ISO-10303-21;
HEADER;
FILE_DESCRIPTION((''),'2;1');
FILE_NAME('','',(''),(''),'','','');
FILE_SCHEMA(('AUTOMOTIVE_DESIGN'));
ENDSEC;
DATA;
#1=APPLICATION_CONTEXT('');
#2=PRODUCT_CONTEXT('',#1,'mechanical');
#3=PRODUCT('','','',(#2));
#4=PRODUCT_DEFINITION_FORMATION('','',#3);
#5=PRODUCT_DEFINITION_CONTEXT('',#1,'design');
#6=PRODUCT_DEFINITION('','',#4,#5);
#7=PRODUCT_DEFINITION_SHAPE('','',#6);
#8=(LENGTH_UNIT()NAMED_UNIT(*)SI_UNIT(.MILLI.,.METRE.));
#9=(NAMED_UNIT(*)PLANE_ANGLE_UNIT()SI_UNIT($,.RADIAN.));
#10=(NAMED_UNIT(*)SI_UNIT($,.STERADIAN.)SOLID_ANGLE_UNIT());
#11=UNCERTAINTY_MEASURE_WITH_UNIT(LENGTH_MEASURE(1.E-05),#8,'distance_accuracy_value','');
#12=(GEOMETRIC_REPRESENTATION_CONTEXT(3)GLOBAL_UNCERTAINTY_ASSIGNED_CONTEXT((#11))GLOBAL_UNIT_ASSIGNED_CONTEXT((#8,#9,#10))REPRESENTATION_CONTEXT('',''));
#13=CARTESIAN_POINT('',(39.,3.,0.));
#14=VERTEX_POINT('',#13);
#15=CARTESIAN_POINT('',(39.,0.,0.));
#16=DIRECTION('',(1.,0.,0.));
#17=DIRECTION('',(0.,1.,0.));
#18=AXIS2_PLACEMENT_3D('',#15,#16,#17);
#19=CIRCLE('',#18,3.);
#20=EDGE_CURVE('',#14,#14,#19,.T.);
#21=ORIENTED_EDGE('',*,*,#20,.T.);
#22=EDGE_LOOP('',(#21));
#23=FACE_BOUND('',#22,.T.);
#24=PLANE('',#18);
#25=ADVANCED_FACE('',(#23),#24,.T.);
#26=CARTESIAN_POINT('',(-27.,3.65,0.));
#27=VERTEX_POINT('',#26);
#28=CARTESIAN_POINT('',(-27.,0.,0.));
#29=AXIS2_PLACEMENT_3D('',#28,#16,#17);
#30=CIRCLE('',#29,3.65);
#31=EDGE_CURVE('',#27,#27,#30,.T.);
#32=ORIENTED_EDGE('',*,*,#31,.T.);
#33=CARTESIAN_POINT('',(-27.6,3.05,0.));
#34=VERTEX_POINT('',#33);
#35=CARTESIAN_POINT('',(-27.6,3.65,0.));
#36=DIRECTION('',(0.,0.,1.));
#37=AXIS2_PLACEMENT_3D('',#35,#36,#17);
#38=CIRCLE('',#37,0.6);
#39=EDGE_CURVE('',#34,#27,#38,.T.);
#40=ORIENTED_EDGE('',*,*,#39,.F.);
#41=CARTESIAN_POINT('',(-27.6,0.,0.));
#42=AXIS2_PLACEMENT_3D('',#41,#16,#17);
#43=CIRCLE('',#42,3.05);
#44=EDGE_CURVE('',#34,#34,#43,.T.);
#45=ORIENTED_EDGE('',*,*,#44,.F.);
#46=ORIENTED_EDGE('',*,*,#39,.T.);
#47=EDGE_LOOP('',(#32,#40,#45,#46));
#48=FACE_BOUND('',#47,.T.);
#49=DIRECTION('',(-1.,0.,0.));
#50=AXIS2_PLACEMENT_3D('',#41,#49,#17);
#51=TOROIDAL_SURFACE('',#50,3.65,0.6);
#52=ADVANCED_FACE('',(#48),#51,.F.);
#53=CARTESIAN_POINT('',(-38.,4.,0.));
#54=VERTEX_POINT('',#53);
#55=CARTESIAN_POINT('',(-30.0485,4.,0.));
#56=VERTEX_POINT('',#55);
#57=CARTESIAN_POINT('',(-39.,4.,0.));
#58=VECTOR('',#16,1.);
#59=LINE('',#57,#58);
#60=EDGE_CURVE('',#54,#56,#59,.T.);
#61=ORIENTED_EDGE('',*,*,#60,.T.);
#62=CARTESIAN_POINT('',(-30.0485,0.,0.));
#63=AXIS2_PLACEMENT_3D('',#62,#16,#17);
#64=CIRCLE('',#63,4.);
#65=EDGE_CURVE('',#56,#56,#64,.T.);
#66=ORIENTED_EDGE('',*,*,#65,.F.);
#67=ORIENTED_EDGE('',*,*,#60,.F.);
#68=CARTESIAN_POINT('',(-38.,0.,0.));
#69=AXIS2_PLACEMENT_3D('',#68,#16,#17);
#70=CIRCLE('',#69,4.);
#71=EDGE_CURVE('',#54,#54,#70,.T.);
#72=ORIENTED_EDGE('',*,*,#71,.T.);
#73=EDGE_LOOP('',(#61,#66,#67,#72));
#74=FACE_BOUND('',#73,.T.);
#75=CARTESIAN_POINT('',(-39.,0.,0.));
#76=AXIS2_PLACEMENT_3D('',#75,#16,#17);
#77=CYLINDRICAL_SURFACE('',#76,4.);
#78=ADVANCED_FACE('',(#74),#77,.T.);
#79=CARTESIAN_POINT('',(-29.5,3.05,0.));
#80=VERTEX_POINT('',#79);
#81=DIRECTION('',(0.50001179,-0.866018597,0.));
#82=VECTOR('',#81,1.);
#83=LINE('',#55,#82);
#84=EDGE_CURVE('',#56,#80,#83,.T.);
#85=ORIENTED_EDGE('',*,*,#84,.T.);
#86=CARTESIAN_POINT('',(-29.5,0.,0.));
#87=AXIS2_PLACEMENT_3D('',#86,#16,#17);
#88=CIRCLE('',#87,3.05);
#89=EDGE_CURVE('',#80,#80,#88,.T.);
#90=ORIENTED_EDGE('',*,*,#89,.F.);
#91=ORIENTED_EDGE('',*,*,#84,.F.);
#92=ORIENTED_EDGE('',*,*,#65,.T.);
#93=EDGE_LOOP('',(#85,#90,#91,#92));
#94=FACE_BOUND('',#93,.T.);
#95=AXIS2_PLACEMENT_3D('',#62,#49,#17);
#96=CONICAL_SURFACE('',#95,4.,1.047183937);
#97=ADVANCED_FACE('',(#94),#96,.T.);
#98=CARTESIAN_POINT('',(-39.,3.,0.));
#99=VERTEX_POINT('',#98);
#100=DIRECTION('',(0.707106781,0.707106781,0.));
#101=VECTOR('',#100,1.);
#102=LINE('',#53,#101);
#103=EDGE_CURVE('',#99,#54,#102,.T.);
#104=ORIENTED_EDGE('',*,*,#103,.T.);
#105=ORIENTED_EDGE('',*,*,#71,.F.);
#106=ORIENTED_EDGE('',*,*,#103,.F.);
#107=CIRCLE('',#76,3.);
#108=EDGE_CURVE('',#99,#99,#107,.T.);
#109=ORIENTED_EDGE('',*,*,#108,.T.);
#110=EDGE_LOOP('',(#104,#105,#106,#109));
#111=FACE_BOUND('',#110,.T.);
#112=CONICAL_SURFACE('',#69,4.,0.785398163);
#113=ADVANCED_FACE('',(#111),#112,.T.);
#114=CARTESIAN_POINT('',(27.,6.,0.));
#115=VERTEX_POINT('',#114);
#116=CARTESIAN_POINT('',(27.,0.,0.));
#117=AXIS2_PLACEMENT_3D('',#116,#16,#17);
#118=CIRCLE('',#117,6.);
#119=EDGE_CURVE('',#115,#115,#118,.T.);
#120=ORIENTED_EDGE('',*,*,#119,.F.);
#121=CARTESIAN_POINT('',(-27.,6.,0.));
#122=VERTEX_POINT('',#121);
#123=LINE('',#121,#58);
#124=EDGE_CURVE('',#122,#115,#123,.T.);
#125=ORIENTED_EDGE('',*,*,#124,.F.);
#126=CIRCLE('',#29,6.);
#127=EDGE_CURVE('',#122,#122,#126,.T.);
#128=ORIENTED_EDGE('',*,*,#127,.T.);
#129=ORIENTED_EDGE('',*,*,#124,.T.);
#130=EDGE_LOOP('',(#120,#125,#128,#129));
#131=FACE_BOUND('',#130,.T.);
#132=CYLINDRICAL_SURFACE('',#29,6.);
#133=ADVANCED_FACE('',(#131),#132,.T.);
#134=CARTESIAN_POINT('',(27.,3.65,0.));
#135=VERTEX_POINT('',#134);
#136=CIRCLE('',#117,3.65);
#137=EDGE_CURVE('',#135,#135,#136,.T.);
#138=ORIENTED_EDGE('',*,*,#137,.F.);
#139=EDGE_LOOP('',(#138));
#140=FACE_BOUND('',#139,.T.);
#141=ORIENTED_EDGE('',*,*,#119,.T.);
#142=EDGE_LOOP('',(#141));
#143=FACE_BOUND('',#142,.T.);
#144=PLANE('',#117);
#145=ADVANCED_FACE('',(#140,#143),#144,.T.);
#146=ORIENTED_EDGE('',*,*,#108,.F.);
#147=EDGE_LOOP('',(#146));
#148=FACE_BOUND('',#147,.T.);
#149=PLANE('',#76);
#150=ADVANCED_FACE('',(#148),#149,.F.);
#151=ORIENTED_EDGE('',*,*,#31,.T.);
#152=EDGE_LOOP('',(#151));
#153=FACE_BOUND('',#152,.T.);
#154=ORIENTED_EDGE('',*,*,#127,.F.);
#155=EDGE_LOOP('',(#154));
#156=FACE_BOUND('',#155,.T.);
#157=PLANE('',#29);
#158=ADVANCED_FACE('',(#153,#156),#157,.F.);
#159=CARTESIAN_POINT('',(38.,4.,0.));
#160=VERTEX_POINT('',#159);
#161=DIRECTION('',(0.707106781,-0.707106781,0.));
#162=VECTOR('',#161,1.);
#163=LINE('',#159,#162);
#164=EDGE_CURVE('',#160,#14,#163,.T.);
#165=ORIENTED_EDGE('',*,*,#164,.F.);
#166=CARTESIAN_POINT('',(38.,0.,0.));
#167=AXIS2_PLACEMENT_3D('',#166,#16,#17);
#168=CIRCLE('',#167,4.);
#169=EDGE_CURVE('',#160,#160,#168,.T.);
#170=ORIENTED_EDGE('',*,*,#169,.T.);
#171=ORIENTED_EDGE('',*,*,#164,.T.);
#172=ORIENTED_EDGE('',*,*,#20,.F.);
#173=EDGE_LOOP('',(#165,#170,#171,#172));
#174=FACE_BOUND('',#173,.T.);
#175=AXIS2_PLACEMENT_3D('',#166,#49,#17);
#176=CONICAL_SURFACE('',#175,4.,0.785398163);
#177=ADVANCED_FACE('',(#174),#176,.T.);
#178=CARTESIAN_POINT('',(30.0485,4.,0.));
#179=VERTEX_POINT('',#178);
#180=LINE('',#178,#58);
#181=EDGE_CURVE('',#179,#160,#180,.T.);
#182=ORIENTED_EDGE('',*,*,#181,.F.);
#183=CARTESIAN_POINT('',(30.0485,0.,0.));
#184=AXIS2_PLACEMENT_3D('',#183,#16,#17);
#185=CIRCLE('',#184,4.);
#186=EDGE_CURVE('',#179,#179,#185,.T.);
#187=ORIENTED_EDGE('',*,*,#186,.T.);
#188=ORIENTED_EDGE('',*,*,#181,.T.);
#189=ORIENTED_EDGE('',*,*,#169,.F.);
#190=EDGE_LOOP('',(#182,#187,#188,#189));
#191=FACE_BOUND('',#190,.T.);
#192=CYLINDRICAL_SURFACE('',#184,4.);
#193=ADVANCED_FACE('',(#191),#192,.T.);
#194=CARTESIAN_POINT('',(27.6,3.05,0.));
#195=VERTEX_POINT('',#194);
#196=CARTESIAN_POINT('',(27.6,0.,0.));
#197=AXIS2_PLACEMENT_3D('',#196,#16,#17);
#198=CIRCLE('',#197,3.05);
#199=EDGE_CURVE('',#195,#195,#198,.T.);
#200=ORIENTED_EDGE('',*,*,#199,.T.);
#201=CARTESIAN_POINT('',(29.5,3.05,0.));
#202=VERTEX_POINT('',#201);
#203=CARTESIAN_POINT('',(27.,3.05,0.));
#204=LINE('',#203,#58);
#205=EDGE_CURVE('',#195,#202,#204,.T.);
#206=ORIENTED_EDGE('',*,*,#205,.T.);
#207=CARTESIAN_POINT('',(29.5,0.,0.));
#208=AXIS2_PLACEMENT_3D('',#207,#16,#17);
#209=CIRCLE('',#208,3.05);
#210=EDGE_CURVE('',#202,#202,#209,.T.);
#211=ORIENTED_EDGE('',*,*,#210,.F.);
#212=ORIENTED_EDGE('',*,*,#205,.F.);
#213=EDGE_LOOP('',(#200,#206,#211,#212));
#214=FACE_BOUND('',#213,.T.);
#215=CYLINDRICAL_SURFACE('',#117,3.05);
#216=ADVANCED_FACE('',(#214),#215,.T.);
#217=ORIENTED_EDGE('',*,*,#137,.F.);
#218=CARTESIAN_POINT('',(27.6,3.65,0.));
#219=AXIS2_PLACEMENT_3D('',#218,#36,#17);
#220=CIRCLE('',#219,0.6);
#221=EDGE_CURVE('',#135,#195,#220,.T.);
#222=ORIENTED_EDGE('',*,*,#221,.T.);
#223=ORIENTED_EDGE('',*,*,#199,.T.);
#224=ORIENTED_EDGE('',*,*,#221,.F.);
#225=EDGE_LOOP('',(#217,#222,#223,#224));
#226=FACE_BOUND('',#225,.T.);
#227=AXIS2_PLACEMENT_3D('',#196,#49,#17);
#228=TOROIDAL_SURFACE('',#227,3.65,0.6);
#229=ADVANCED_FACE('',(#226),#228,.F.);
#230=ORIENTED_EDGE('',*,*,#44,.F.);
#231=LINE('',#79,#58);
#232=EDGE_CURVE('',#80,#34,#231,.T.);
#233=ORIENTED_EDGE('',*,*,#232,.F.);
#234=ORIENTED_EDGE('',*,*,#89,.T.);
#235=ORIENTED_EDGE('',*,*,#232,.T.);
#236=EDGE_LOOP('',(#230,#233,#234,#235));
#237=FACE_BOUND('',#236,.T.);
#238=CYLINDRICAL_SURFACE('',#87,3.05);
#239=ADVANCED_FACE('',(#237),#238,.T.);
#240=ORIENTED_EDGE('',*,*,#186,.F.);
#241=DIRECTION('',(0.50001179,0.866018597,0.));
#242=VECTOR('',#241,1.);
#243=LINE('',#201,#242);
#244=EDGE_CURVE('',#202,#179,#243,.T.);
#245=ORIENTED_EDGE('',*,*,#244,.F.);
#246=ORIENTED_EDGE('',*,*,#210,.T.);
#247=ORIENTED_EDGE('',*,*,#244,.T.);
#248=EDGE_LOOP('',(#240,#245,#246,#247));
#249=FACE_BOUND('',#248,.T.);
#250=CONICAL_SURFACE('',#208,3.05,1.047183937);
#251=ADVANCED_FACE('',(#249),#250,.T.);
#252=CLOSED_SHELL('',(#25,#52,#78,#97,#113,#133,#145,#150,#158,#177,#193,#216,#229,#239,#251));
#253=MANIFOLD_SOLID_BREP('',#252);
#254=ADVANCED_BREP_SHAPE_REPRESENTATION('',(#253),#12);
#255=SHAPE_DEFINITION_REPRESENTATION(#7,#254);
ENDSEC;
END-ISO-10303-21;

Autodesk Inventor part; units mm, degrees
ref_plane "YZ Plane" through (0, 0, 0) normal (1, 0, 0) x (0, 1, 0)
ref_plane "XZ Plane" through (0, 0, 0) normal (0, 1, 0) x (-1, 0, 0)
ref_plane "XY Plane" through (0, 0, 0) normal (0, 0, 1) x (1, 0, 0)
sketch "Sketch1" plane through (0, 0, 0) normal (0, 0, 1) x (1, 0, 0)
  line L0 (-46.8, 0) -> (62.4, 0) projected
  line L1 (0, 7.8) -> (0, -0.6) projected
  line L2 (-39, 0) -> (-39, 4)
  line L3 (-39, 4) -> (-30.0485, 4)
  line L4 (-30.0485, 4) -> (-29.5, 3.05)
  line L5 (-29.5, 3.05) -> (-27, 3.05)
  line L6 (-27, 3.05) -> (-27, 6)
  line L7 (-27, 6) -> (27, 6)
  line L8 (27, 6) -> (27, 3.05)
  line L9 (27, 3.05) -> (29.5, 3.05)
  line L10 (29.5, 3.05) -> (30.0485, 4)
  line L11 (30.0485, 4) -> (39, 4)
  line L12 (39, 4) -> (39, 0)
  line L13 (-39, 0) -> (39, 0)
  dimension "d0" = 4
  dimension "d1" = 60
  dimension "d2" = 12
  dimension "d3" = 78
  dimension "d4" = 3.05
  dimension "d5" = 60
  dimension "d6" = 4
  dimension "d7" = 12
  dimension "d8" = 6
  dimension "d9" = 2.5
  dimension "d10" = 2.5
  dimension "d11" = 3.05
revolve "Revolution1" add sketch "Sketch1" angle 360 about axis through (-39, 0, 0) along (1, 0, 0)
chamfer "Chamfer1" distance 1 angle 45 2 edges at (39, -4, 0) (-39, -4, 0)
fillet "Fillet1" radius 0.6 2 edges at (-27, -3.05, 0) (27, -3.05, 0)
properties part number "Pin Seized"
